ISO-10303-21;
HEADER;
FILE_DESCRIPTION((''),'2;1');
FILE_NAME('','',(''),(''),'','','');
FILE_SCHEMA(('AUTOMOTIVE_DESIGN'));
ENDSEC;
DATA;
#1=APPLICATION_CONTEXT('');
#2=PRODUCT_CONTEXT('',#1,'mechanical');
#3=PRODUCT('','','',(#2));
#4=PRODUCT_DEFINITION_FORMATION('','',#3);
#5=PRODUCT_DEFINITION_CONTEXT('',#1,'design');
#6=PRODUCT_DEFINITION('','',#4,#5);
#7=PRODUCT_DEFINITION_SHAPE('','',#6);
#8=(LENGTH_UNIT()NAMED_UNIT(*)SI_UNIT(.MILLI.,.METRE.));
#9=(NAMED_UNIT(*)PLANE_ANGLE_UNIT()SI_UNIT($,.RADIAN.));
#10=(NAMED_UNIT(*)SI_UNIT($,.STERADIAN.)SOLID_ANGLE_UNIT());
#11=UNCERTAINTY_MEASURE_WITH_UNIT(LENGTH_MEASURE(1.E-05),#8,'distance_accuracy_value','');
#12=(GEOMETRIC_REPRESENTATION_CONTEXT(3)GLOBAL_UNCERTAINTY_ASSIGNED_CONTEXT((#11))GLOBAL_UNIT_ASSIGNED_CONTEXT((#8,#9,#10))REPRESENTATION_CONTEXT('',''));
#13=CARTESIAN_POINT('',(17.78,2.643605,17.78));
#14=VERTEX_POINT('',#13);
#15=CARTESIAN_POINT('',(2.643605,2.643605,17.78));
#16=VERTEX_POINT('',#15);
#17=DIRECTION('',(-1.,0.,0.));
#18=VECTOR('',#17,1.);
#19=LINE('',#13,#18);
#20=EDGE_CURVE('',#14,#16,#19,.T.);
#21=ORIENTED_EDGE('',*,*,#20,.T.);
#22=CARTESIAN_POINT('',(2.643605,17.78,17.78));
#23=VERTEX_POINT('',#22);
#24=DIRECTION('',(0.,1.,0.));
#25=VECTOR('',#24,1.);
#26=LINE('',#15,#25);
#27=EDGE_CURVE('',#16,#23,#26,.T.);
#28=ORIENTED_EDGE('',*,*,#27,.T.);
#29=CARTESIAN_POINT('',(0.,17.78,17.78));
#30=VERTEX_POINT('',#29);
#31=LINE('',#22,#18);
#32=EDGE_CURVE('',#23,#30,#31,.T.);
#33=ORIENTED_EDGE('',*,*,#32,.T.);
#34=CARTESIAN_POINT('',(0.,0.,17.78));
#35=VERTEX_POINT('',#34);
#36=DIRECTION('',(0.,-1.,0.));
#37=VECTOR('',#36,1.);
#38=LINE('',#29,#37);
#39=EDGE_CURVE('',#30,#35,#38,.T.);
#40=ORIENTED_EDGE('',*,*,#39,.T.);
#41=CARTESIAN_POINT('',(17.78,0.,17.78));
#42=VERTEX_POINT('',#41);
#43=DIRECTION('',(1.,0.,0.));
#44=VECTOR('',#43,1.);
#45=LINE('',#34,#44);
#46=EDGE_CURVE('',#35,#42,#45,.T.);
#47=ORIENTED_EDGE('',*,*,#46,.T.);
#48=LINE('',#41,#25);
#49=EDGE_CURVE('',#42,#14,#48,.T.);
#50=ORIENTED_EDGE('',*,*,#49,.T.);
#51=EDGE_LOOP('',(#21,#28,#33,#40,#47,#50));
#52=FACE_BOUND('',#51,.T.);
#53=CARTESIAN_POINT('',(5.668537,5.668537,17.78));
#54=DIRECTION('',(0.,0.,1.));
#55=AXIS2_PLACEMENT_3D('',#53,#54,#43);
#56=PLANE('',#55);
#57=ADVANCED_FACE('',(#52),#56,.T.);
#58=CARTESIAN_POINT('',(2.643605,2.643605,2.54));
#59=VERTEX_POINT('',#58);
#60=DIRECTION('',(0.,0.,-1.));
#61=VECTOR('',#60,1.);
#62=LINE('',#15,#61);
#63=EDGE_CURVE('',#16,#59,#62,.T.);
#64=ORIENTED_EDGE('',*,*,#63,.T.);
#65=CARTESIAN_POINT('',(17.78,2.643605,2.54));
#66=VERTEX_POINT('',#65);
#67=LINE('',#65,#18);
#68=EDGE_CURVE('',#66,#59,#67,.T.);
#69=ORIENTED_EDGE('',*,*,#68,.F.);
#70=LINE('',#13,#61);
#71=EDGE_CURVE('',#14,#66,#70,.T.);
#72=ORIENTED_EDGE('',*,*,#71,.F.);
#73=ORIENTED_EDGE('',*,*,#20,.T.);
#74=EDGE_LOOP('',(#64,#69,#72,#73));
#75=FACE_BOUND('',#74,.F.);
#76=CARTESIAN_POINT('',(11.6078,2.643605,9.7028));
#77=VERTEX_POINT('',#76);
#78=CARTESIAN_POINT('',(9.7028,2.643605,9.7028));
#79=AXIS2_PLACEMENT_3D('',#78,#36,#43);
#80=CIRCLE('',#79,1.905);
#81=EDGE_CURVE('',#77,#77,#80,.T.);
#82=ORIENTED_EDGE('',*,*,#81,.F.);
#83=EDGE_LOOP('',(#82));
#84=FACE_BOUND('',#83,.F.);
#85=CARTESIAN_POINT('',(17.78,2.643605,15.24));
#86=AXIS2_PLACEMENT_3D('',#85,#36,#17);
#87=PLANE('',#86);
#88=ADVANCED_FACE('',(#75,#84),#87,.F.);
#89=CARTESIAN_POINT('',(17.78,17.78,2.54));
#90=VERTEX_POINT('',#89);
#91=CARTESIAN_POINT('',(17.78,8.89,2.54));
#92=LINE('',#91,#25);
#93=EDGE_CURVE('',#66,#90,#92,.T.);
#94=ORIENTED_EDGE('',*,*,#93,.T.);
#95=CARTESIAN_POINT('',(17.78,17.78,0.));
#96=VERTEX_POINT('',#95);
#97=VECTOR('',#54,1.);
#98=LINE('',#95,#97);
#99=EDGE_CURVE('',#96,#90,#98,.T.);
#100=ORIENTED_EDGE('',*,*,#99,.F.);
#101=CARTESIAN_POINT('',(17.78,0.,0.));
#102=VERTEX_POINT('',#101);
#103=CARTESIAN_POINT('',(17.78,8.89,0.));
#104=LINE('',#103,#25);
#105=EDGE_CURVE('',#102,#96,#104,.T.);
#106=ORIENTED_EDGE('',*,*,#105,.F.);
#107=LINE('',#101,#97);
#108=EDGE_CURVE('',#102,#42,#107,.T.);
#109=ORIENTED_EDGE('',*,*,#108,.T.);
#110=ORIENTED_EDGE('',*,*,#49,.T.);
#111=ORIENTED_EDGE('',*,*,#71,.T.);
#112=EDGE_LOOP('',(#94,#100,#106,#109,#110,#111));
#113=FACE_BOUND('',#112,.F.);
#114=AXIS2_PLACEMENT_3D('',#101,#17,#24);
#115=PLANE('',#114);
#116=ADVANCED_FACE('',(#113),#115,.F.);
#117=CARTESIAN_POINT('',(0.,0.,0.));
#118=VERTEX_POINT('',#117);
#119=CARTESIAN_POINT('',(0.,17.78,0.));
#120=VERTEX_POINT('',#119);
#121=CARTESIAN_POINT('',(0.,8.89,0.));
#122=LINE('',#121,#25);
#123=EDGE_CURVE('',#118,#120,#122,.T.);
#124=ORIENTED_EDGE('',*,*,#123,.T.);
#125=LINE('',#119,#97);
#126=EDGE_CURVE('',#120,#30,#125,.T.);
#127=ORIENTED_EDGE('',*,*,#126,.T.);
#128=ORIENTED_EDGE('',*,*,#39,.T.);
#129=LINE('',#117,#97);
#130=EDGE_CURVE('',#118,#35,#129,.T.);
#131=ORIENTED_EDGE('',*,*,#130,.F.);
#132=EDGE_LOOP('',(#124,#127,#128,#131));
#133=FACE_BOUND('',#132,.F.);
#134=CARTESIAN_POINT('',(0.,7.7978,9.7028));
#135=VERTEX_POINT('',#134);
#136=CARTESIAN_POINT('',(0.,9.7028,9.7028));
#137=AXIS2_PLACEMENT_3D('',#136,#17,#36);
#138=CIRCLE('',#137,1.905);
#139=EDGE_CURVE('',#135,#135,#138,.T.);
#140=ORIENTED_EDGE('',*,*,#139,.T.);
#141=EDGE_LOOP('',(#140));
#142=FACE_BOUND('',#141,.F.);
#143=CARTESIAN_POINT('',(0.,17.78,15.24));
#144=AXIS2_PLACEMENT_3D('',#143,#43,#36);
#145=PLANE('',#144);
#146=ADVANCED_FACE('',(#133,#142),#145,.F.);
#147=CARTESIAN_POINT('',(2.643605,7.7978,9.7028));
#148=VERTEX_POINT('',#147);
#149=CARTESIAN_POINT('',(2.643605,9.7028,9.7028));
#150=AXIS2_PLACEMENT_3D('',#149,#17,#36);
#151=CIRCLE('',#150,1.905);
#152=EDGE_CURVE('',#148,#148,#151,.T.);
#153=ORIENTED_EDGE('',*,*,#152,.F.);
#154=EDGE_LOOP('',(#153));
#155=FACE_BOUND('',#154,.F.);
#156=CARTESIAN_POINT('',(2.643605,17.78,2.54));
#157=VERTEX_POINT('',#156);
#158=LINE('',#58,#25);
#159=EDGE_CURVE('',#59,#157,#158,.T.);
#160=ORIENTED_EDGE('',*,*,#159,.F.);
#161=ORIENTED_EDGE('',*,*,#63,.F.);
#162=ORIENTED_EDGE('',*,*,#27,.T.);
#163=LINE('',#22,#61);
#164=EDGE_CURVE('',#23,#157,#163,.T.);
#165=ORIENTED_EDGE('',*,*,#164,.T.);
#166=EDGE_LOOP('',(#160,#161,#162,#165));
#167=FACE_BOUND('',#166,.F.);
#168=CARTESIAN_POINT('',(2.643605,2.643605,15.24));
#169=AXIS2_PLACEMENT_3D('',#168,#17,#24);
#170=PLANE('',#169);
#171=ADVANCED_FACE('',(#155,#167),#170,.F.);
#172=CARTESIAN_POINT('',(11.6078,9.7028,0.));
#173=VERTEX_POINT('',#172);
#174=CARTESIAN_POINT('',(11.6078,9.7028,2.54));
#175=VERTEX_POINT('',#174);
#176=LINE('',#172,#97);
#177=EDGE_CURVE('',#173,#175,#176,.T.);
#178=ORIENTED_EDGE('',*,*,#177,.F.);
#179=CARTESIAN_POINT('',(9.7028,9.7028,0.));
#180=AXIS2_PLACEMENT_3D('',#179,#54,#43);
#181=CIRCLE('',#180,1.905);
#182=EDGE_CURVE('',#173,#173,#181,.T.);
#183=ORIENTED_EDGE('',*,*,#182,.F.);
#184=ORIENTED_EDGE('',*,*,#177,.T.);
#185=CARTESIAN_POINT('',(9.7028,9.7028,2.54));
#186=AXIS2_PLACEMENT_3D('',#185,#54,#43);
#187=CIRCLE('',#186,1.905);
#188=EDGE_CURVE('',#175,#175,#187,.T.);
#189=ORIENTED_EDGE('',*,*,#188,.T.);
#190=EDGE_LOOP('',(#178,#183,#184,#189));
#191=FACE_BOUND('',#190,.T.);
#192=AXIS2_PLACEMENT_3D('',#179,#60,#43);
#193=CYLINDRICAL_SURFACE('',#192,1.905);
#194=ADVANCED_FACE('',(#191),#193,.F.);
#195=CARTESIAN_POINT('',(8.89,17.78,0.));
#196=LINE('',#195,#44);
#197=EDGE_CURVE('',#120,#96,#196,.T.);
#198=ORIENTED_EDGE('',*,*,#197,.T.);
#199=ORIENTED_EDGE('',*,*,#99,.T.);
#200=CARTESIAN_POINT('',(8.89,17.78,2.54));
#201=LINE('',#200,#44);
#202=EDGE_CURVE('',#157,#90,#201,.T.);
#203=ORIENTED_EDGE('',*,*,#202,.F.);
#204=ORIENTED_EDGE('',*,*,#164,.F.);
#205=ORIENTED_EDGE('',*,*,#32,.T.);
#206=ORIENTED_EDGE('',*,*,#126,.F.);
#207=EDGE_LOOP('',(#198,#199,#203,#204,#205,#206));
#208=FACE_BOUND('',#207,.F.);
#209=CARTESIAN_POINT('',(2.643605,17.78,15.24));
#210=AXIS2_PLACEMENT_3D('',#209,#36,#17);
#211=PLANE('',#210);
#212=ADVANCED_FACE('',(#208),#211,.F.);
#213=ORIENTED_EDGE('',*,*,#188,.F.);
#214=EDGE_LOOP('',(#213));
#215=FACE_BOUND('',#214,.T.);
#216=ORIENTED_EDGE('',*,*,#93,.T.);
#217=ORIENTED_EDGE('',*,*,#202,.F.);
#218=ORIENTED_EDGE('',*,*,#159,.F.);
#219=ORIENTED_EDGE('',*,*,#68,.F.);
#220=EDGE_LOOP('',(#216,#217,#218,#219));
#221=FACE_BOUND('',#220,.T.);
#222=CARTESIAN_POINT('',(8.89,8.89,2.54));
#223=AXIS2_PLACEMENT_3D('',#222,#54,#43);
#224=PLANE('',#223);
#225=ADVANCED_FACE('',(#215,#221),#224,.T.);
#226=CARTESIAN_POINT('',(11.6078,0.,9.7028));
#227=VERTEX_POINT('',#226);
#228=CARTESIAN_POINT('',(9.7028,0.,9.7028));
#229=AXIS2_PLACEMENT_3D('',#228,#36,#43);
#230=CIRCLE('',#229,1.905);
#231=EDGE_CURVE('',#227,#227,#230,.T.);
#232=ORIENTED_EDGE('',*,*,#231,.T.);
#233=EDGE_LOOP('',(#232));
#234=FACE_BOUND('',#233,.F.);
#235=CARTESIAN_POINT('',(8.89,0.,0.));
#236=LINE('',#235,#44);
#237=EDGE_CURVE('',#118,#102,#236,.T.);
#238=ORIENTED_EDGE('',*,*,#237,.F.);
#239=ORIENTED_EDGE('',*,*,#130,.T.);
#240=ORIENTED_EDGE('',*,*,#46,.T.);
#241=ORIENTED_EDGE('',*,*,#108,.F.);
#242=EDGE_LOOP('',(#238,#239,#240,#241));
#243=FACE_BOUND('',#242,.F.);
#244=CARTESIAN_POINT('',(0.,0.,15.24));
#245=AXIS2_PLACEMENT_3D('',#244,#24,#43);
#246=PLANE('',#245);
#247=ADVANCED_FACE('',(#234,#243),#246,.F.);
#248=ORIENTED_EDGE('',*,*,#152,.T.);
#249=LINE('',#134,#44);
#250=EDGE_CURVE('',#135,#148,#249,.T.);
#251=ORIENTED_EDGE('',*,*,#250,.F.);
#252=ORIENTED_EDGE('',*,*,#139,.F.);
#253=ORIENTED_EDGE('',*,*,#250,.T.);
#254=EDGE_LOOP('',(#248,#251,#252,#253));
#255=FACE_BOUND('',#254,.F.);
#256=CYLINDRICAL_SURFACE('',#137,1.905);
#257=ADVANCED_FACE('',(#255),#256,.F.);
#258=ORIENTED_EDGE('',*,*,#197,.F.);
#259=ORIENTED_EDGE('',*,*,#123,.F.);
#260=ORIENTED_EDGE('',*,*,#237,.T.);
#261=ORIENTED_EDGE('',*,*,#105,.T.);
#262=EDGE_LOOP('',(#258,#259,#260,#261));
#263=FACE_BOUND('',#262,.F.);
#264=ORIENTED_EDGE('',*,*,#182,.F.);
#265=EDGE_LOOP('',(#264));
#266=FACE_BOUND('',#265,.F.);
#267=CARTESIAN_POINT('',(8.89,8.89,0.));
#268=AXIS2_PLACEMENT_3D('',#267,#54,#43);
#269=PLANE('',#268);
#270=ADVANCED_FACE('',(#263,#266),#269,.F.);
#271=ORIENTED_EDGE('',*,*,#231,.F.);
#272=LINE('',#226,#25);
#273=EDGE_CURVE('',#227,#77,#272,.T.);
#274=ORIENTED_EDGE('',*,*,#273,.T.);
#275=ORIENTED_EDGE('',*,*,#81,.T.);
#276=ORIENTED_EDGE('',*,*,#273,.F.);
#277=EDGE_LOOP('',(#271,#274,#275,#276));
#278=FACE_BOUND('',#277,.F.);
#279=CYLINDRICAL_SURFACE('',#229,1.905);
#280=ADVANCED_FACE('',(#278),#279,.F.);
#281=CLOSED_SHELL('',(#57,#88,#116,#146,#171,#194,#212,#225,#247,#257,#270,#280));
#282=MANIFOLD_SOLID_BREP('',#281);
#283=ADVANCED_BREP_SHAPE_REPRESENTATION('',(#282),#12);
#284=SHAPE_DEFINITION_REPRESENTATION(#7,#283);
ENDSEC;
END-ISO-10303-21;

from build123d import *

# Parameters (mm, degrees)
F0_W     = 17.78
F0_H     = 17.78
F0_R     = 1.905
F1_DEPTH = 2.54
F3_DEPTH = 12.7
F4_R     = 1.905
F5_DEPTH = 25.4
F6_R     = 1.905
F7_DEPTH = 25.4
F8_DEPTH = 2.54


with BuildPart() as f1:
    # F0 (on Top) → F1 (new body)
    with BuildSketch(Plane.XY):
        with Locations((8.89, 8.89)):
            Rectangle(F0_W, F0_H)
        with Locations((9.7028, 9.7028)):
            Circle(F0_R, mode=Mode.SUBTRACT)
    extrude(amount=F1_DEPTH)

    # F2 (on face) → F3 (join)
    with BuildSketch(Plane.XY.offset(2.54)):
        Polygon((2.6436052285, 17.78), (0, 17.78), (0, 0), (17.78, 0), (17.78, 2.6436052285), (2.6436052285, 2.6436052285), align=None)
    extrude(amount=F3_DEPTH)

    # F4 (on face) → F5 (cut)
    with BuildSketch(Plane.XZ):
        with Locations((9.7028, 9.7028)):
            Circle(F4_R)
    extrude(amount=-F5_DEPTH, mode=Mode.SUBTRACT)

    # F6 (on face) → F7 (cut)
    with BuildSketch(Plane(origin=(0, 0, 0), x_dir=(0, -1, 0), z_dir=(-1, 0, 0))):
        with Locations((-9.7028, 9.7028)):
            Circle(F6_R)
    extrude(amount=-F7_DEPTH, mode=Mode.SUBTRACT)

    # F8 (add): a face of the model
    f8_faces = [f1.faces().sort_by_distance(p)[0] for p in [
        (2.3921580571, 10.2118026143, 15.24),
    ]]
    extrude(f8_faces, amount=F8_DEPTH)


solid = f1.part
